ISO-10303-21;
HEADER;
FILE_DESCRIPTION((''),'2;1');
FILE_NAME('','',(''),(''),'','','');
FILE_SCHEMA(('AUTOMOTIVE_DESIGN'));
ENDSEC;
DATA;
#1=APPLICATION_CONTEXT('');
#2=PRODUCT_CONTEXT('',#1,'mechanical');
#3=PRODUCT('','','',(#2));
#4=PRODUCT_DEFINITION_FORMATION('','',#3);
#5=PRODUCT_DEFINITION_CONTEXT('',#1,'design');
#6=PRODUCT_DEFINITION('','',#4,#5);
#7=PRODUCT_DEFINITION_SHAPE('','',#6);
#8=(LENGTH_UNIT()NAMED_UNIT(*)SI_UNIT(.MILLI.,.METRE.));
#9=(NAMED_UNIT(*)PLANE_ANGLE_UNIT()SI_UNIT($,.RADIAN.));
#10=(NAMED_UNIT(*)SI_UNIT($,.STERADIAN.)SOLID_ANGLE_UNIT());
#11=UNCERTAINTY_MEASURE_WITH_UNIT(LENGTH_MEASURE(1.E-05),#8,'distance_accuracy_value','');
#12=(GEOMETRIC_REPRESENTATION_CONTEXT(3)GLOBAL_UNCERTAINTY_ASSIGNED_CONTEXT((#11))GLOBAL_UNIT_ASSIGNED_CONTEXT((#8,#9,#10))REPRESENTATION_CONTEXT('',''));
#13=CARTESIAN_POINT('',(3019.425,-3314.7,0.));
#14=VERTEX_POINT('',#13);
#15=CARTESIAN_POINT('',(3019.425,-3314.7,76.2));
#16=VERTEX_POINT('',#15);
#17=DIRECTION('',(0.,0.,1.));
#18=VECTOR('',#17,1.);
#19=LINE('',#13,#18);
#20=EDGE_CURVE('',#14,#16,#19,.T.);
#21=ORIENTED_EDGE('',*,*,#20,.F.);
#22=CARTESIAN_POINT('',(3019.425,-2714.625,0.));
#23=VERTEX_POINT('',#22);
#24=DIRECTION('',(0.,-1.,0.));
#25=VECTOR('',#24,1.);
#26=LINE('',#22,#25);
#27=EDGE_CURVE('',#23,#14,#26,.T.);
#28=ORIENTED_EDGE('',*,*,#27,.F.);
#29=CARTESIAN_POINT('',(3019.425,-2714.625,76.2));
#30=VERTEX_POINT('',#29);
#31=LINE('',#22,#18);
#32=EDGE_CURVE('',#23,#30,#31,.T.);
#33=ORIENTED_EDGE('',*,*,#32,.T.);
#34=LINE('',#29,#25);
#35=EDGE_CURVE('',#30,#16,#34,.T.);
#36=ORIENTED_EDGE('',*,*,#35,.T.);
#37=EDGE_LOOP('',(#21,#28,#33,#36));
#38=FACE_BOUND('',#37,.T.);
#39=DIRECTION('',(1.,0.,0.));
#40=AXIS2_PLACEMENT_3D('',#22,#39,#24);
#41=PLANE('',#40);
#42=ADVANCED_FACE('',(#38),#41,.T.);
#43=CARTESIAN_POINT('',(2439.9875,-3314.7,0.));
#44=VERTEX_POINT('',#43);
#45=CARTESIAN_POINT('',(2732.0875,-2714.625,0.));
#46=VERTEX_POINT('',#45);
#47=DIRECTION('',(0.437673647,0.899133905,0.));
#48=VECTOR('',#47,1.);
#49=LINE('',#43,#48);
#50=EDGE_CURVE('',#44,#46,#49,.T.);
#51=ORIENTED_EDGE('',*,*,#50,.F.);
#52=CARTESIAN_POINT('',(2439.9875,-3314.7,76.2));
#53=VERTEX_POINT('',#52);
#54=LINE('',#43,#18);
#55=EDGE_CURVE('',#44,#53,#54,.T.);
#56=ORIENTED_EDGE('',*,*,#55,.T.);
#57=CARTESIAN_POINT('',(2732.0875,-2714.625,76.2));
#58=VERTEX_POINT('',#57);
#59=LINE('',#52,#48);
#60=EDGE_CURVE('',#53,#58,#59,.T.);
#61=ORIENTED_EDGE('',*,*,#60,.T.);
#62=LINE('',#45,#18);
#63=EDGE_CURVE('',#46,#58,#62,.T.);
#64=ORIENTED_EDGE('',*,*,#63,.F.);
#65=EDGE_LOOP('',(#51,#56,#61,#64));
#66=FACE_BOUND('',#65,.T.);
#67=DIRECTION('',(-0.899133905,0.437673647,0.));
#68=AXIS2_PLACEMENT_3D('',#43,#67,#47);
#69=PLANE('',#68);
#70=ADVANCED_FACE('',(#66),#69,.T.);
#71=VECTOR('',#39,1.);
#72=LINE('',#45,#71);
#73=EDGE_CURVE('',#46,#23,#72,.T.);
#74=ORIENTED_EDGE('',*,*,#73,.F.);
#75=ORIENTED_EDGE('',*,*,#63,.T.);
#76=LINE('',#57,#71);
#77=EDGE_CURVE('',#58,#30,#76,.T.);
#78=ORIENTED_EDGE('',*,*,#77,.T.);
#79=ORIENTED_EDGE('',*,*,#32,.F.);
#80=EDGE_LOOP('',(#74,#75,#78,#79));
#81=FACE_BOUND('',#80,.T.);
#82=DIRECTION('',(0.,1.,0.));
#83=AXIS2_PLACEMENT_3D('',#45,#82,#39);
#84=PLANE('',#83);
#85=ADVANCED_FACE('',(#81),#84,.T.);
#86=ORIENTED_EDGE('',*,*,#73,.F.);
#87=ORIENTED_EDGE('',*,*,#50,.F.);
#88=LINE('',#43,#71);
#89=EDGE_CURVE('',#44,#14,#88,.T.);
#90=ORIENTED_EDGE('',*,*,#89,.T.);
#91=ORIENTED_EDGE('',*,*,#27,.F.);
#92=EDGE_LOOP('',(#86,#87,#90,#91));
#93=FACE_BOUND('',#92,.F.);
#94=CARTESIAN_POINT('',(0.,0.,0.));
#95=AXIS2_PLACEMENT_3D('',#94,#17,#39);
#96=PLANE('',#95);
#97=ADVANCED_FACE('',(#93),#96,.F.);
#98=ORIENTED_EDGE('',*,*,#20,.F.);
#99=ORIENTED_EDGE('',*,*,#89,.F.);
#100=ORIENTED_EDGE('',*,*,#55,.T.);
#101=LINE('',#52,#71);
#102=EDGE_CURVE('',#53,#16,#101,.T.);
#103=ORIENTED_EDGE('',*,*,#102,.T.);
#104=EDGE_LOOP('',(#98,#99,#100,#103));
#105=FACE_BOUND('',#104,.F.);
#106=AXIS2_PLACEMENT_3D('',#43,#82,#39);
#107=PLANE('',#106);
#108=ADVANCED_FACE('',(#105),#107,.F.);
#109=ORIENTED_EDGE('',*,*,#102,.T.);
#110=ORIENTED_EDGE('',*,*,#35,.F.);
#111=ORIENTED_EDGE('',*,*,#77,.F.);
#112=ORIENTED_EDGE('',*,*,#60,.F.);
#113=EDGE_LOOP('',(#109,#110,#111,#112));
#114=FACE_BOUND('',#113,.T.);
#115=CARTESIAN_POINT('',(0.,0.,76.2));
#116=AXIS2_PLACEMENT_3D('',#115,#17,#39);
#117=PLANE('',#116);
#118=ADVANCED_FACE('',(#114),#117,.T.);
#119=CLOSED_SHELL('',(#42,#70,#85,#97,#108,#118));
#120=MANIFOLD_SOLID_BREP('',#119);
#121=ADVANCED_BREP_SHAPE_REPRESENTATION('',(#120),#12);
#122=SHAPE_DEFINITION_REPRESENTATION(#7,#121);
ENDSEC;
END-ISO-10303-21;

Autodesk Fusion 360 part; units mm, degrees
sketch "Sketch1" plane through (0, 0, 0) normal (0, 0, 1) x (1, 0, 0)
  line L0 (0, 0) -> (0, -600.075)
  line L1 (0, -600.075) -> (744.5375, -600.075)
  line L2 (0, 0) -> (947.7375, 0)
  line L3 (947.7375, 0) -> (744.5375, -600.075)
  line L4 (1049.3375, -600.075) -> (2105.025, -600.075)
  line L5 (1049.3375, -600.075) -> (1252.5375, 0)
  line L6 (2105.025, -600.075) -> (1698.625, 0)
  line L7 (1252.5375, 0) -> (1698.625, 0)
  line L8 (2003.425, 0) -> (3025.775, 0)
  line L9 (2409.825, -600.075) -> (3025.775, -600.075)
  line L10 (3025.775, 0) -> (3025.775, -600.075)
  line L11 (2409.825, -600.075) -> (2003.425, 0)
  line L12 (0, -904.875) -> (0, -1504.95)
  line L13 (0, -1504.95) -> (376.2375, -1504.95)
  line L14 (376.2375, -1504.95) -> (528.6375, -904.875)
  line L15 (0, -904.875) -> (528.6375, -904.875)
  line L16 (579.4375, -1504.95) -> (1636.7125, -1504.95)
  line L17 (731.8375, -904.875) -> (1420.8125, -904.875)
  line L18 (579.4375, -1504.95) -> (731.8375, -904.875)
  line L19 (1420.8125, -904.875) -> (1636.7125, -1504.95)
  line L20 (1839.9125, -1504.95) -> (2160.5875, -1504.95)
  line L21 (1624.0125, -904.875) -> (2401.8875, -904.875)
  line L22 (1624.0125, -904.875) -> (1839.9125, -1504.95)
  line L23 (2160.5875, -1504.95) -> (2401.8875, -904.875)
  line L24 (2363.7875, -1504.95) -> (3019.425, -1504.95)
  line L25 (2605.0875, -904.875) -> (3019.425, -904.875)
  line L26 (3019.425, -904.875) -> (3019.425, -1504.95)
  line L27 (2605.0875, -904.875) -> (2363.7875, -1504.95)
  line L28 (0, -1809.75) -> (0, -2409.825)
  line L29 (0, -1809.75) -> (909.6375, -1809.75)
  line L30 (0, -2409.825) -> (795.3375, -2409.825)
  line L31 (795.3375, -2409.825) -> (909.6375, -1809.75)
  line L32 (1214.4375, -1809.75) -> (2017.7125, -1809.75)
  line L33 (1100.1375, -2409.825) -> (1878.0125, -2409.825)
  line L34 (1100.1375, -2409.825) -> (1214.4375, -1809.75)
  line L35 (1878.0125, -2409.825) -> (2017.7125, -1809.75)
  line L36 (2182.8125, -2409.825) -> (3028.95, -2409.825)
  line L37 (2322.5125, -1809.75) -> (3028.95, -1809.75)
  line L38 (2322.5125, -1809.75) -> (2182.8125, -2409.825)
  line L39 (3028.95, -1809.75) -> (3028.95, -2409.825)
  line L40 (0, -2714.625) -> (0, -3314.7)
  line L41 (0, -2714.625) -> (465.1375, -2714.625)
  line L42 (465.1375, -2714.625) -> (465.1375, -3314.7)
  line L43 (465.1375, -3314.7) -> (0, -3314.7)
  line L44 (668.3375, -3314.7) -> (1268.4125, -3314.7)
  line L45 (668.3375, -3314.7) -> (668.3375, -2714.625)
  line L46 (668.3375, -2714.625) -> (1458.9125, -2714.625)
  line L47 (1458.9125, -2714.625) -> (1268.4125, -3314.7)
  line L48 (1471.6125, -3314.7) -> (2236.7875, -3314.7)
  line L49 (1662.1125, -2714.625) -> (2528.8875, -2714.625)
  line L50 (1471.6125, -3314.7) -> (1662.1125, -2714.625)
  line L51 (2528.8875, -2714.625) -> (2236.7875, -3314.7)
  line L52 (2439.9875, -3314.7) -> (3019.425, -3314.7)
  line L53 (2732.0875, -2714.625) -> (3019.425, -2714.625)
  line L54 (2439.9875, -3314.7) -> (2732.0875, -2714.625)
  line L55 (3019.425, -2714.625) -> (3019.425, -3314.7)
  dimension "d1" = 600.075
  dimension "d2" = 744.5375
  dimension "d3" = 1055.6875
  dimension "d4" = 304.8
  dimension "d5" = 1022.35
  dimension "d6" = 615.95
  dimension "d7" = 0
  dimension "d8" = 304.8
  dimension "d9" = 376.2375
  dimension "d10" = 1057.275
  dimension "d11" = 203.2
  dimension "d12" = 688.975
  dimension "d13" = 320.675
  dimension "d14" = 777.875
  dimension "d15" = 203.2
  dimension "d16" = 655.6375
  dimension "d17" = 414.3375
  dimension "d18" = 203.2
  dimension "d19" = 0
  dimension "d20" = 0
  dimension "d21" = 909.6375
  dimension "d22" = 795.3375
  dimension "d23" = 803.275
  dimension "d24" = 777.875
  dimension "d25" = 304.8
  dimension "d26" = 846.1375
  dimension "d27" = 304.8
  dimension "d28" = 706.4375
  dimension "d29" = 304.8
  dimension "d30" = 947.7375
  dimension "d31" = 446.0875
  dimension "d32" = 528.6375
  dimension "d33" = 0
  dimension "d34" = 0
  dimension "d35" = 465.1375
  dimension "d36" = 600.075
  dimension "d37" = 203.2
  dimension "d38" = 790.575
  dimension "d39" = 765.175
  dimension "d40" = 203.2
  dimension "d41" = 866.775
  dimension "d42" = 579.4375
  dimension "d43" = 287.3375
  dimension "d44" = 203.2
extrude "Extrude1" add sketch "Sketch1" along normal blind 76.2 contours L52 L53 L54 L55
equation "d1 = 23 5/8\""
equation "d2 = 29 5/16\""
equation "d3 = 41 9/16\""
equation "d5 = 40 1/4\""
equation "d6 = 24 1/4\""
equation "d7 = d20"
equation "d9 = 14 13/16\""
equation "d12 = 27 1/8\""
equation "d13 = 12 5/8\""
equation "d14 = 30 5/8\""
equation "d16 = 25 13/16\""
equation "d17 = 16 5/16\""
equation "d19 = d20"
equation "d20 = d33"
equation "d21 = 35 13/16\""
equation "d22 = 31 5/16\""
equation "d23 = 31 5/8\""
equation "d24 = 30 5/8\""
equation "d26 = 33 5/16\""
equation "d28 = 27 13/16\""
equation "d30 = 37 5/16\""
equation "d31 = 17 9/16\""
equation "d32 = 20 13/16\""
equation "d33 = d33"
equation "d34 = d20"
equation "d35 = 18 5/16\""
equation "d36 = 23 5/8\""
equation "d38 = 31 1/8\""
equation "d41 = 34 1/8\""
